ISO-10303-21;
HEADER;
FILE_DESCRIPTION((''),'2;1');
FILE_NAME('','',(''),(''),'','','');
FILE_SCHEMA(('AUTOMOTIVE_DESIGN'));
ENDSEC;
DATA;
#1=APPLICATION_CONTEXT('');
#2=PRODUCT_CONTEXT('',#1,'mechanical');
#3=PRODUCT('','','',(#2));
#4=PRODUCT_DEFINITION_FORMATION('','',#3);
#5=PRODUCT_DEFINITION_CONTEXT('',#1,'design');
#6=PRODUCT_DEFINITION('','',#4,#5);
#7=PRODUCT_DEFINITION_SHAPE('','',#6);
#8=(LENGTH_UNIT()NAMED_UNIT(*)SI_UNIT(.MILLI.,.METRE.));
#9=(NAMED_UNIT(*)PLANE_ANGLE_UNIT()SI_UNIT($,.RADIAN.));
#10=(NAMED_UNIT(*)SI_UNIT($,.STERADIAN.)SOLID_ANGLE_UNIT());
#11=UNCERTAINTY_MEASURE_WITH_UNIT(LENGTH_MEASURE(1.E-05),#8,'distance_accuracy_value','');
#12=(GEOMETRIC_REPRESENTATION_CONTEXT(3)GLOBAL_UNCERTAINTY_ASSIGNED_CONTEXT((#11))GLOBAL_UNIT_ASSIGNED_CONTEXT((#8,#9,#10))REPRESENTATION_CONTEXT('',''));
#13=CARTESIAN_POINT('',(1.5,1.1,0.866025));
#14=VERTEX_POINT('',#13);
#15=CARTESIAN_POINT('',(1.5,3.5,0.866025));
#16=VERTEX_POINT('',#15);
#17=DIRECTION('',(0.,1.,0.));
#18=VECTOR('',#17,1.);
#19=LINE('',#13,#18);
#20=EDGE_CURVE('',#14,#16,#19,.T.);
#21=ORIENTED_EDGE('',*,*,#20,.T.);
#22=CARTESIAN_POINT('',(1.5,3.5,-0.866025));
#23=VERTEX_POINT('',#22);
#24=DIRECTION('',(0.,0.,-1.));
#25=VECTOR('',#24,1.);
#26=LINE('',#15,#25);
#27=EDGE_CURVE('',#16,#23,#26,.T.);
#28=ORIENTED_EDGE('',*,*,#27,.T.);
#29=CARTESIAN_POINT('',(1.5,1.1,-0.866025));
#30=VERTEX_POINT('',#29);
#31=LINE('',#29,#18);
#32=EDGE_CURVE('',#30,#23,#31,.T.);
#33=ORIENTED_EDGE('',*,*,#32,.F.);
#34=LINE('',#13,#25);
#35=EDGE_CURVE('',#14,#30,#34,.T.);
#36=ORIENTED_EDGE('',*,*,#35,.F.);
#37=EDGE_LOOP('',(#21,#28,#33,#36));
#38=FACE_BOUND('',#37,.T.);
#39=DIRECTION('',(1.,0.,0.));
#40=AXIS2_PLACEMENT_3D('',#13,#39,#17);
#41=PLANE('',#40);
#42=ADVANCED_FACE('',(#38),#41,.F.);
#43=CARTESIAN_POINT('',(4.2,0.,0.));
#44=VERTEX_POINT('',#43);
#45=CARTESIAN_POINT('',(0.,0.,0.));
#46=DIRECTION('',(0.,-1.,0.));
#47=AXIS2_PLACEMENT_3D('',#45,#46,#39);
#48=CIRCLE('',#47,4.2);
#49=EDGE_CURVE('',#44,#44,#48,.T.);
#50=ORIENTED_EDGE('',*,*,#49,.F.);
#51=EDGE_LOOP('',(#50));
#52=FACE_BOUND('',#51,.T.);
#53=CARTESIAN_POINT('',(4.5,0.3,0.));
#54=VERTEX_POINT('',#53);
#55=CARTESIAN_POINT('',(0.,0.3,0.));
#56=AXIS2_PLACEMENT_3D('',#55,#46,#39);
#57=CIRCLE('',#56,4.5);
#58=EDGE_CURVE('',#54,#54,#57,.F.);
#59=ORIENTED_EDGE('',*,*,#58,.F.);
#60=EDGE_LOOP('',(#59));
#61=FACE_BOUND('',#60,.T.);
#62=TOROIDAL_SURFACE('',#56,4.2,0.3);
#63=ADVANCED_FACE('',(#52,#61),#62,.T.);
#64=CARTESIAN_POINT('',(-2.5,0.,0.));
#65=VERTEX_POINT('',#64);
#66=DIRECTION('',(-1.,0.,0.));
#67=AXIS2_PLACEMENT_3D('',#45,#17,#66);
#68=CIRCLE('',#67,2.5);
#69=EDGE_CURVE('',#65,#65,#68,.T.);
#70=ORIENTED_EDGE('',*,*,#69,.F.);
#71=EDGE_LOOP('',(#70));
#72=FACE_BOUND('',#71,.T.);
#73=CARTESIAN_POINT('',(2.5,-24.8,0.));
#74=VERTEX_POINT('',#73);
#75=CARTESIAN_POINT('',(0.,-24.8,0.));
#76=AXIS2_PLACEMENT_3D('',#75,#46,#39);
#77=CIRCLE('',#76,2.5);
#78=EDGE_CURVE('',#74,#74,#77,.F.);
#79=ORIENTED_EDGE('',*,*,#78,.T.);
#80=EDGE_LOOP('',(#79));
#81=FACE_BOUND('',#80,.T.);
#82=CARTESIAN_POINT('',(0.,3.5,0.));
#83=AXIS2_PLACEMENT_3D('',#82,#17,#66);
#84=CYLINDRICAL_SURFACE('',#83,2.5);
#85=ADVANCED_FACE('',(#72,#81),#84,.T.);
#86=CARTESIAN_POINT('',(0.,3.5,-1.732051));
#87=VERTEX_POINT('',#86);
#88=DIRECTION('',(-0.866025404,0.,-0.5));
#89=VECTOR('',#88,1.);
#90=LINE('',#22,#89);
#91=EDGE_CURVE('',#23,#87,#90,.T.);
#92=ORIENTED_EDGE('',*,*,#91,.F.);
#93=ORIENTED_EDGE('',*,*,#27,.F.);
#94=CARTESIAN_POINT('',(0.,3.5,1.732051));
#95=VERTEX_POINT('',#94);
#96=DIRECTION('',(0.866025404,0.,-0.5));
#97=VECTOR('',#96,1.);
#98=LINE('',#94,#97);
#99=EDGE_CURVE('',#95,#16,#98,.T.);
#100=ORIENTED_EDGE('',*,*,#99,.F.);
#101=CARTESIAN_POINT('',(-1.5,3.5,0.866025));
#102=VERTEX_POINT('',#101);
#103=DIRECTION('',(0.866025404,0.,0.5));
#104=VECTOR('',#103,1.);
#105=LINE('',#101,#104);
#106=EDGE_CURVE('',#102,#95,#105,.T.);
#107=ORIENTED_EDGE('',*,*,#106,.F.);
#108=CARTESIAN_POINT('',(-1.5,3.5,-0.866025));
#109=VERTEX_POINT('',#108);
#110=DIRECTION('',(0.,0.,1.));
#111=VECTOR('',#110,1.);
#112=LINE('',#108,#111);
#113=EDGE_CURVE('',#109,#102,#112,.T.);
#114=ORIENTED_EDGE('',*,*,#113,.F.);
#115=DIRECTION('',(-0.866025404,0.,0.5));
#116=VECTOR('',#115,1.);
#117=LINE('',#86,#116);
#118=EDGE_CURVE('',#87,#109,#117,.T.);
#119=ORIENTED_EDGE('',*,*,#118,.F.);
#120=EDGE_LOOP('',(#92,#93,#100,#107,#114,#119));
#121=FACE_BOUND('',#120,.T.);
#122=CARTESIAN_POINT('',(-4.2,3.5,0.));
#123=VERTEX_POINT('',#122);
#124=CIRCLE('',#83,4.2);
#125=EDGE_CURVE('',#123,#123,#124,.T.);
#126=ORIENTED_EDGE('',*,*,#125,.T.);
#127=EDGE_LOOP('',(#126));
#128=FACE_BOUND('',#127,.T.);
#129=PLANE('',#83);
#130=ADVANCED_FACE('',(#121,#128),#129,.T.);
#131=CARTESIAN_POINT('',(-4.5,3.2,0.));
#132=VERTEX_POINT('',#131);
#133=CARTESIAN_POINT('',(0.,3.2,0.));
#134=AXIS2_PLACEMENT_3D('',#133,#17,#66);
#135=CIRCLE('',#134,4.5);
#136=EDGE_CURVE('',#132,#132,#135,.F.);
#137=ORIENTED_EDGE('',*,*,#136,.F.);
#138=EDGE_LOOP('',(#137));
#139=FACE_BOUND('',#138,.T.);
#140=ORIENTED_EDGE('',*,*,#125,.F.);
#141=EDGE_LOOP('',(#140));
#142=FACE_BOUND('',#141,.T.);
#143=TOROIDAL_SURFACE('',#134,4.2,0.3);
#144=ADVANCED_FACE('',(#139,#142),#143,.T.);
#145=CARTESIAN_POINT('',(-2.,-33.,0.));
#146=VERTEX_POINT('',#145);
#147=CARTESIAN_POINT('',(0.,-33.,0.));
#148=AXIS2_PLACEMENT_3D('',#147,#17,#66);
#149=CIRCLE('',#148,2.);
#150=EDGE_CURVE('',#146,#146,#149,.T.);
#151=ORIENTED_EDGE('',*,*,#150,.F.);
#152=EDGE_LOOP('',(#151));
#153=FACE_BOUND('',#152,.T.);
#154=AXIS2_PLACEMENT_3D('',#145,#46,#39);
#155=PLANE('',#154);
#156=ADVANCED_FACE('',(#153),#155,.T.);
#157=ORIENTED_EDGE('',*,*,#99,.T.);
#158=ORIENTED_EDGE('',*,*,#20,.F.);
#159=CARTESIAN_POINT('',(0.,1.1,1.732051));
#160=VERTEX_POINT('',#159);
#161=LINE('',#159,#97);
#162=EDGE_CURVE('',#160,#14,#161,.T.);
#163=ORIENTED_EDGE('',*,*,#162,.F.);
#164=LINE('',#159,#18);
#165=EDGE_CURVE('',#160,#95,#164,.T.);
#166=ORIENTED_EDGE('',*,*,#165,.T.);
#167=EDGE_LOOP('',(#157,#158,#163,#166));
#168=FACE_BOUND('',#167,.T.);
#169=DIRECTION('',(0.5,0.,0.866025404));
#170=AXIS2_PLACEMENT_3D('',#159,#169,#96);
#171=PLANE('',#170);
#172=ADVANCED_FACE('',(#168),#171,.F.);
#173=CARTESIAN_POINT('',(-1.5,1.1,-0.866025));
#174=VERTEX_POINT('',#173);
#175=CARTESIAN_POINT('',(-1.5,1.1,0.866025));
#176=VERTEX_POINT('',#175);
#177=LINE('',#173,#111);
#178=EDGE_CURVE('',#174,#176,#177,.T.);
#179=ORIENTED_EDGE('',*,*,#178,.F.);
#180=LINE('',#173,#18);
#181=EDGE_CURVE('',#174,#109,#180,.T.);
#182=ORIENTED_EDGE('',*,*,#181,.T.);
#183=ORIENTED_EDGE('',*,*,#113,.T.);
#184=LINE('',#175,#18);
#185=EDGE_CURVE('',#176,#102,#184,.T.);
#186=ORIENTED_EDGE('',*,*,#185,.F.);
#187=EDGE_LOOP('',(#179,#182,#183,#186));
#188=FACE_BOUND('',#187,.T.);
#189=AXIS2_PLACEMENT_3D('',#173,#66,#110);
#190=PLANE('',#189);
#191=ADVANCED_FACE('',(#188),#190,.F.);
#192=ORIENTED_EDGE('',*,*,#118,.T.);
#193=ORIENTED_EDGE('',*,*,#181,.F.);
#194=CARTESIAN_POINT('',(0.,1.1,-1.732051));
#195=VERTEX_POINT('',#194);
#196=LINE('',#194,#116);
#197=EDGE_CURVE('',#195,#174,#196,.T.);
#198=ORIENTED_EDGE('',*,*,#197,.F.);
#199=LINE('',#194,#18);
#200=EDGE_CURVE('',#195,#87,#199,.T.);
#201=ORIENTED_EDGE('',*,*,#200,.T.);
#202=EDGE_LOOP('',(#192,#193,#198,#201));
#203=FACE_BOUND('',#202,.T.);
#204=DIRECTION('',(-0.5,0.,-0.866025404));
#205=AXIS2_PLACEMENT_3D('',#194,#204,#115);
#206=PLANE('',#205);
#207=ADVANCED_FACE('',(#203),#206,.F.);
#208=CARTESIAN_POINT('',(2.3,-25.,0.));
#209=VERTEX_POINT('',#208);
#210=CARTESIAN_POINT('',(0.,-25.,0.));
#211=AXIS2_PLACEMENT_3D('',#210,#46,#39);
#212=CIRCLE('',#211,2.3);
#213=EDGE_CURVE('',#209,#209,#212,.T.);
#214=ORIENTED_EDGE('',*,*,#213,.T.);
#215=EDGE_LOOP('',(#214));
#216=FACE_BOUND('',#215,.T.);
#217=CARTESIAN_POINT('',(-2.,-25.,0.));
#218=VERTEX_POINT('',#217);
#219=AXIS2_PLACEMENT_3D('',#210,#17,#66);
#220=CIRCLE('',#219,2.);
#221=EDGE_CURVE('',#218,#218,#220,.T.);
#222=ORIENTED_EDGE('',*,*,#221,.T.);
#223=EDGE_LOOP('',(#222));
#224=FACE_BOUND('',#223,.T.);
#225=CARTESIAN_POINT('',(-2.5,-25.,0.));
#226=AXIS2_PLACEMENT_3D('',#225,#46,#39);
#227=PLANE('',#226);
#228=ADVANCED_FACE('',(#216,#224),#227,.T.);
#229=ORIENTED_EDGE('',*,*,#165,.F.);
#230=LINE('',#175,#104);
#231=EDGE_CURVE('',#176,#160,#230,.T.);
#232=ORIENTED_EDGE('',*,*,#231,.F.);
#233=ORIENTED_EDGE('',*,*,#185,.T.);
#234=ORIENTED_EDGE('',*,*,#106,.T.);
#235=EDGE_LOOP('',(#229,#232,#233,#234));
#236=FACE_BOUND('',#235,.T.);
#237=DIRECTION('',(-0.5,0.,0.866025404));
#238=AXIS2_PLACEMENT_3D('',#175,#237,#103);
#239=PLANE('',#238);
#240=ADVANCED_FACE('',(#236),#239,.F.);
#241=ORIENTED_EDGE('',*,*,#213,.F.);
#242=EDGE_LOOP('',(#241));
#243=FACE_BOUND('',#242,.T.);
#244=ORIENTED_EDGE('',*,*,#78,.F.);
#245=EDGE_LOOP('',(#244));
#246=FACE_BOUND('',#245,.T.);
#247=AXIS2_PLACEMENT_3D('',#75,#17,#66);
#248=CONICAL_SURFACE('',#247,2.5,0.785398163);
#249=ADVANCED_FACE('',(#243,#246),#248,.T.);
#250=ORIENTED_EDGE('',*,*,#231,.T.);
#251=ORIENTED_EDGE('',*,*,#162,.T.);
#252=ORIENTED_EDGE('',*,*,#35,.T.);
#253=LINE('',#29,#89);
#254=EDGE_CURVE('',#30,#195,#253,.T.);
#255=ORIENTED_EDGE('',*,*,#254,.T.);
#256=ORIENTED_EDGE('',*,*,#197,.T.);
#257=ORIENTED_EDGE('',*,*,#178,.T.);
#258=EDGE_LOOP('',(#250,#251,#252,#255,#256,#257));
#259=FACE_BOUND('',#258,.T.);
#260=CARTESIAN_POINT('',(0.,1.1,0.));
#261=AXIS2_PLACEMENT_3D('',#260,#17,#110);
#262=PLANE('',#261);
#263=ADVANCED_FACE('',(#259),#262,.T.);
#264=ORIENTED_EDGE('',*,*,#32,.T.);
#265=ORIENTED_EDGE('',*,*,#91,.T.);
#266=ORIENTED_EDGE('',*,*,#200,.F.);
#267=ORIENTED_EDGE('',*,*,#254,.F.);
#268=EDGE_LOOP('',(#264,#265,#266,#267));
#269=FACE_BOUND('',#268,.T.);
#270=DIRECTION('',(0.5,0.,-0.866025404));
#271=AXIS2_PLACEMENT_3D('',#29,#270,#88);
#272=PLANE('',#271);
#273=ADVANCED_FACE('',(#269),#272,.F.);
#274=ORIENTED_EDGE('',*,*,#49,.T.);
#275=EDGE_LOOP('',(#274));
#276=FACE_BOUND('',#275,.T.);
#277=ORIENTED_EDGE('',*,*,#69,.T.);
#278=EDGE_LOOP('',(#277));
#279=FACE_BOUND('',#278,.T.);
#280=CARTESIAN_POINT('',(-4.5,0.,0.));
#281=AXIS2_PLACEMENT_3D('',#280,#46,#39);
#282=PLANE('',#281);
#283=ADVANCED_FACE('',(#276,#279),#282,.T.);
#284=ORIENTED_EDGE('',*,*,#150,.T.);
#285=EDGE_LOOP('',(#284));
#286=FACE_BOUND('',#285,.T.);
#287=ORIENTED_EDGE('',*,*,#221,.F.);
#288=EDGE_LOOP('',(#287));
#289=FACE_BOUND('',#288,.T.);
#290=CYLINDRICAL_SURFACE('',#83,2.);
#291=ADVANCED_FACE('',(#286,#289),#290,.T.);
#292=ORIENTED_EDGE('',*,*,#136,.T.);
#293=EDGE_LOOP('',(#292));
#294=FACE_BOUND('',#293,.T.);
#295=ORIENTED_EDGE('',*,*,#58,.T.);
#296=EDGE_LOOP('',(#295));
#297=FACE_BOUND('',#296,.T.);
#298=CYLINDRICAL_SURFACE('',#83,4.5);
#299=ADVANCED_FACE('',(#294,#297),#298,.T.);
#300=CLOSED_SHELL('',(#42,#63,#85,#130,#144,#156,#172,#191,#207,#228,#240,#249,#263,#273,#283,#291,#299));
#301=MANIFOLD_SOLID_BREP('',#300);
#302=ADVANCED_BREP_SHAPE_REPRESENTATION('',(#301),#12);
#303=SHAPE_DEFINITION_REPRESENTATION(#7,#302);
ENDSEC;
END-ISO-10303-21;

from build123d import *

# Parameters (mm, degrees)
FILLET1_R          = 0.3
CUT_EXTRUDE1_DEPTH = 2.4
CHAMFER1_SIZE      = 0.2


with BuildPart() as part:
    # Sketch1 → Revolve1 (revolve)
    with BuildSketch(Plane.XY):
        Polygon((0, 3.5), (-4.5, 3.5), (-4.5, 0), (-2.5, 0), (-2.5, -25), (-2, -25), (-2, -33), (0, -33), align=None)
    revolve(axis=Axis((0, 3.5, 0), (0, -1, 0)))

    # Fillet1
    fillet1_edges = [part.edges().sort_by_distance(p)[0] for p in [
        (4.5, 0, 0),
        (4.5, 3.5, 0),
    ]]
    fillet(fillet1_edges, radius=FILLET1_R)

    # Sketch2 → Cut-Extrude1 (cut)
    with BuildSketch(Plane(origin=(0, 3.5, 0), x_dir=(1, 0, 0), z_dir=(0, 1, 0))):
        Polygon((1.5, 0.866025404), (0, 1.732050808), (-1.5, 0.866025404), (-1.5, -0.866025404), (0, -1.732050808), (1.5, -0.866025404), align=None)
    extrude(amount=-CUT_EXTRUDE1_DEPTH, mode=Mode.SUBTRACT)

    # Chamfer1
    chamfer1_edges = [part.edges().sort_by_distance(p)[0] for p in [
        (2.5, -25, 0),
    ]]
    chamfer(chamfer1_edges, length=CHAMFER1_SIZE)


solid = part.part
